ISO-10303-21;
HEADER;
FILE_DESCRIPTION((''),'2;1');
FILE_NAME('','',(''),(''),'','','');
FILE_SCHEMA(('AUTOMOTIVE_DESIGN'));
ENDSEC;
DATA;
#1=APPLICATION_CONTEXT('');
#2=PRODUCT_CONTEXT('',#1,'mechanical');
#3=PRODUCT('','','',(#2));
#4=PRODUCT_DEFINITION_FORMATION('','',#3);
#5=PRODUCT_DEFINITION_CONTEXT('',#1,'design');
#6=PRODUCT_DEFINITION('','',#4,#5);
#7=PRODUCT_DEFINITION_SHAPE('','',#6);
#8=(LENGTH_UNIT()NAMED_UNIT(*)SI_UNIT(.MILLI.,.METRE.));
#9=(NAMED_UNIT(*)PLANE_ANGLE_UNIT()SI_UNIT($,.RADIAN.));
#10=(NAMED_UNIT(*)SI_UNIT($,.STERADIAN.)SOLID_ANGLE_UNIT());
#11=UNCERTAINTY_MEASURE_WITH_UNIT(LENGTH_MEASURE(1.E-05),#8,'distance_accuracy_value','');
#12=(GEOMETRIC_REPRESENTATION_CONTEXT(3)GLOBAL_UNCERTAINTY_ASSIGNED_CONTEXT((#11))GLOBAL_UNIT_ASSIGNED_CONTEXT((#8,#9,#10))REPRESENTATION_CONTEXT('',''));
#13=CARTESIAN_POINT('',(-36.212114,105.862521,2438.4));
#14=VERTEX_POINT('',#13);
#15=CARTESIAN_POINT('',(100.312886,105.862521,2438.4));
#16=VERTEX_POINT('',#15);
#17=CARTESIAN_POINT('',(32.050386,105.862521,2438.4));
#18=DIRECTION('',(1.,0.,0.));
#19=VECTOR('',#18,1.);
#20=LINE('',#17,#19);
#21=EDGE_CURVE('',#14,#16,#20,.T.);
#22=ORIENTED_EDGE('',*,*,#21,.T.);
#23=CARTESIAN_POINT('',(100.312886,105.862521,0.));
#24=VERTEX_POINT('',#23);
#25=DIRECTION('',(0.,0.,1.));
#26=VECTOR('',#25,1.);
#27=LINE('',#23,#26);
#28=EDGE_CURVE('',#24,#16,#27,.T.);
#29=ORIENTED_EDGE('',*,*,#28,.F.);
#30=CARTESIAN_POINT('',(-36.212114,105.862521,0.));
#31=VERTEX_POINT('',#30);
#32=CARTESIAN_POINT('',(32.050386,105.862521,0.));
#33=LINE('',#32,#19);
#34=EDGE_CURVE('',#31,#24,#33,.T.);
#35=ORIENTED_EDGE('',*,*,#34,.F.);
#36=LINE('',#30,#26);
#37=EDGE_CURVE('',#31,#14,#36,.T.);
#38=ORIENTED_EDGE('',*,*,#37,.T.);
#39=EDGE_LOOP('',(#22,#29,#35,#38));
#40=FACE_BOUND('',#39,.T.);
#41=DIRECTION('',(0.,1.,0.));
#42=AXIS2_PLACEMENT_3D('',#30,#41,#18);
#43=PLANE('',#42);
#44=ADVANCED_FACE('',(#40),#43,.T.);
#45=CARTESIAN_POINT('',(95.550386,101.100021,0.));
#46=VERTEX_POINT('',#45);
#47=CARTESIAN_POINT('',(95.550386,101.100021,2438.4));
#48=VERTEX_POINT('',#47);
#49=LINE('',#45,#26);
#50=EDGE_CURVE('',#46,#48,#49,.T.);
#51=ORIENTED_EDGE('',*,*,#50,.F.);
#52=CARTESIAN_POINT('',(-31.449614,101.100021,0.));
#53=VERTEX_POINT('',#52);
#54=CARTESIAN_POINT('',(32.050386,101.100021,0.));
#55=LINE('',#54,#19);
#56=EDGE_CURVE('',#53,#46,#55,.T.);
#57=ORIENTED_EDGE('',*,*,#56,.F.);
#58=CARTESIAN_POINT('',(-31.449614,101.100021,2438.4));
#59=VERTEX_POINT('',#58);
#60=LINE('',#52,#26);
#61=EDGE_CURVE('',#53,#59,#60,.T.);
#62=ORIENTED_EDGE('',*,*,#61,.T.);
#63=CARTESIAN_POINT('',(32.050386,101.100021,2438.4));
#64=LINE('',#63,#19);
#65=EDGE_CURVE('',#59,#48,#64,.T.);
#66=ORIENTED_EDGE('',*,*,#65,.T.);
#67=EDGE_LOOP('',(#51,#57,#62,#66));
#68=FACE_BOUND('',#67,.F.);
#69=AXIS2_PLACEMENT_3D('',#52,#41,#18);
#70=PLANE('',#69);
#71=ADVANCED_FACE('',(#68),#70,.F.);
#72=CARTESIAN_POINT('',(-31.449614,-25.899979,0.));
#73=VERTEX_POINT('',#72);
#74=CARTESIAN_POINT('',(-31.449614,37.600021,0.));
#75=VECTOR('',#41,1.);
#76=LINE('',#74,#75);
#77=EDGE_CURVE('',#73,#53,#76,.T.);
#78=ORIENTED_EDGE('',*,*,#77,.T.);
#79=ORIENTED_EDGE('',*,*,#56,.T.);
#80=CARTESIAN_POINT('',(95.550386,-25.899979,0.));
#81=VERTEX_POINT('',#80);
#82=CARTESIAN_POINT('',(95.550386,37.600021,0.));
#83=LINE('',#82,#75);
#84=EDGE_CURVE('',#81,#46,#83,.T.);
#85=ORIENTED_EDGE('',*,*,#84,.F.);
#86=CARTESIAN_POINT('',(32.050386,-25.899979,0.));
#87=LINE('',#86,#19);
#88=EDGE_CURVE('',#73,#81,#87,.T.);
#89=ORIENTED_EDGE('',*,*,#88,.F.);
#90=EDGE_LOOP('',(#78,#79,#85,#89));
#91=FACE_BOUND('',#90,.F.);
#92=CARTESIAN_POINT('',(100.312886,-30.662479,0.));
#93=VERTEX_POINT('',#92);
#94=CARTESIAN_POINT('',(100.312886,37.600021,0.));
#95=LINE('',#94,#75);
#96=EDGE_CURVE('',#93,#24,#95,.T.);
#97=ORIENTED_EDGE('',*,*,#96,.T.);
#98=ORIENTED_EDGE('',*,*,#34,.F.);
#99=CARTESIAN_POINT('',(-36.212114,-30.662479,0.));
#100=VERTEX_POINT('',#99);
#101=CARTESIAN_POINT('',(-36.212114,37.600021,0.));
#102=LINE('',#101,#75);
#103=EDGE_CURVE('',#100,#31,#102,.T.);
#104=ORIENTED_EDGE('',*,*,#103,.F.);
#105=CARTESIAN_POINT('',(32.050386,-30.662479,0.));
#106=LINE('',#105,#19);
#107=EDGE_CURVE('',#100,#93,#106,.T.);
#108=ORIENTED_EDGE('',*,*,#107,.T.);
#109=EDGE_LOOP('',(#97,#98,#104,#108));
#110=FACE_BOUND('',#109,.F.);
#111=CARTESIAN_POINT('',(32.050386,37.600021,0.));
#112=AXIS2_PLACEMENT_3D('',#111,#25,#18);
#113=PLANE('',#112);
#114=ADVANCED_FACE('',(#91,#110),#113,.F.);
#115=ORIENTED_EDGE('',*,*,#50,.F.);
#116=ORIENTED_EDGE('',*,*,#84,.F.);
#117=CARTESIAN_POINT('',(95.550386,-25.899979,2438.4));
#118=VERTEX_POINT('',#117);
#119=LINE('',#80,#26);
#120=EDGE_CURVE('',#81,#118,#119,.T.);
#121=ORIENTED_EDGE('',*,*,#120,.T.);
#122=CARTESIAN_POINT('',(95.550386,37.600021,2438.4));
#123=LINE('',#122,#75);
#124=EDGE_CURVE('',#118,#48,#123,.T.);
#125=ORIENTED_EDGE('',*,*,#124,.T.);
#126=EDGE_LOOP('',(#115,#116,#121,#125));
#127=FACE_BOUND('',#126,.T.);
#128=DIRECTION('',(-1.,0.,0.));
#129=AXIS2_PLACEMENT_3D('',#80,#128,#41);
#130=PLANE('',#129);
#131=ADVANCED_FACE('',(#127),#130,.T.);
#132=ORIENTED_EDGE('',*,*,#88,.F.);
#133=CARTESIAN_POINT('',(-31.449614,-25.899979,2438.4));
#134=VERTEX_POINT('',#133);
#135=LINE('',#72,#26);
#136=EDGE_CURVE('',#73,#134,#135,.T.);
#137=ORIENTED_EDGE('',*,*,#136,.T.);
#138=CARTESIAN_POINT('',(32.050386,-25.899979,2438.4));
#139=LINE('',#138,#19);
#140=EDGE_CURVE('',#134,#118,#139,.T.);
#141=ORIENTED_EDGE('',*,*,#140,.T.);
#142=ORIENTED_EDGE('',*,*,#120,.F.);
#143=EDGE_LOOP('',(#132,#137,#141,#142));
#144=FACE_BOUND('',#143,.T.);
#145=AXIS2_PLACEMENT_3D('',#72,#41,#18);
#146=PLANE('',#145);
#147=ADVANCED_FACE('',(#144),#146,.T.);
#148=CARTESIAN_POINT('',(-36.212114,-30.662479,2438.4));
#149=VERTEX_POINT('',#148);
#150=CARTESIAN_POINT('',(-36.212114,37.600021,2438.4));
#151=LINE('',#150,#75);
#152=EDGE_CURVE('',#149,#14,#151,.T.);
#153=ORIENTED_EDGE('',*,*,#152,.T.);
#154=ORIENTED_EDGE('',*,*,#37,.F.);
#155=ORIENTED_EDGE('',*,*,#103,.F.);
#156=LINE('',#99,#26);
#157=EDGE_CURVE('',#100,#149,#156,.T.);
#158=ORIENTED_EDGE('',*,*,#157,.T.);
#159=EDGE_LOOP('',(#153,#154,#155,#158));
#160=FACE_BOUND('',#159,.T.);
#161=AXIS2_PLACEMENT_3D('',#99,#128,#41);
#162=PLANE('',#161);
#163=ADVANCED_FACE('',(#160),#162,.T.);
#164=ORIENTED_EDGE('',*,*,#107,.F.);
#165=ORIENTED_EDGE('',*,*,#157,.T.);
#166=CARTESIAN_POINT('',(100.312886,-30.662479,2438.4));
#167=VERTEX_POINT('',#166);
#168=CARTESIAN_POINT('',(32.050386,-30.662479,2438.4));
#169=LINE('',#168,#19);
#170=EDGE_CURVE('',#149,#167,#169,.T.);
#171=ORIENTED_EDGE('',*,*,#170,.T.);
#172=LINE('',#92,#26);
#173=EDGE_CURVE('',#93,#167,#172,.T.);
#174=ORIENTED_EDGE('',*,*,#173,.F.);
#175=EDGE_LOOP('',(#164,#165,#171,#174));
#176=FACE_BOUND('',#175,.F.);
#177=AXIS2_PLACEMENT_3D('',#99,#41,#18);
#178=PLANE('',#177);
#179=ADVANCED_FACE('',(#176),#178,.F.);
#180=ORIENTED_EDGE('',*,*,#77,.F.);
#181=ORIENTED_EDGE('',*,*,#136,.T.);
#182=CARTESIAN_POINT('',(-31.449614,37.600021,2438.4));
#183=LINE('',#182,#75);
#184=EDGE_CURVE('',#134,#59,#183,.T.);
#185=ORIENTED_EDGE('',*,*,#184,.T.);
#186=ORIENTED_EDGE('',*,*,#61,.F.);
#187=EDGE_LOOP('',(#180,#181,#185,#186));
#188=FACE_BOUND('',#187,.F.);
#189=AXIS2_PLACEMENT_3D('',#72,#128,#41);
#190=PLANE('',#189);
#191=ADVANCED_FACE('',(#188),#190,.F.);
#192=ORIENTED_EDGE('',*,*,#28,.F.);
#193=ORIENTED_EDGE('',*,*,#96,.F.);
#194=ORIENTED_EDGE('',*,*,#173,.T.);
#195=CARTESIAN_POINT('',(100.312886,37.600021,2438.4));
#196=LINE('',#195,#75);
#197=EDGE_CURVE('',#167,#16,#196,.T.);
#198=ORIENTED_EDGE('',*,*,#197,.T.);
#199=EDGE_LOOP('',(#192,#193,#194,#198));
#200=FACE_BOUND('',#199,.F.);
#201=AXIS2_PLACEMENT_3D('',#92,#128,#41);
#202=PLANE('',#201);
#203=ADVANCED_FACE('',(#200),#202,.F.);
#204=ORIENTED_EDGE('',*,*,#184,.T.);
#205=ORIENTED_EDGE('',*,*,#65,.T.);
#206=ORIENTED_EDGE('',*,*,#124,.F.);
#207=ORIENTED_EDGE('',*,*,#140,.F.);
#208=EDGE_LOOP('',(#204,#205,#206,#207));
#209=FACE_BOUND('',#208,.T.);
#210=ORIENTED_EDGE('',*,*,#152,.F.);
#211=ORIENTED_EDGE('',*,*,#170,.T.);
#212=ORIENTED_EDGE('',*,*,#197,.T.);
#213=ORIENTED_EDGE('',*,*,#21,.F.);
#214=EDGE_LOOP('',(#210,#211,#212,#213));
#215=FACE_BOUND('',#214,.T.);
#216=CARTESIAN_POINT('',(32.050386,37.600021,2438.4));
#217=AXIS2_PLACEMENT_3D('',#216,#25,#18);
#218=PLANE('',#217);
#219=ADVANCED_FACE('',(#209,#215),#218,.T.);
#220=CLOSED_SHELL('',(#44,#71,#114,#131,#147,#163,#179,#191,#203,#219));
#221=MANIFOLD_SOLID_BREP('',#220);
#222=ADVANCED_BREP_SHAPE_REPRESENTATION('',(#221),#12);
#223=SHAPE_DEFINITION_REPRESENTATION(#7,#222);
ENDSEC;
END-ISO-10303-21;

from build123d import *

# Parameters (mm, degrees)
F1_W     = 136.525
F1_H     = 136.525
F1_W_2   = 127
F1_H_2   = 127
F2_DEPTH = 2438.4


with BuildPart() as f2:
    # F1 (on face) → F2 (new body)
    with BuildSketch(Plane.XY):
        with Locations((32.050386, 37.600021)):
            Rectangle(F1_W, F1_H)
        with Locations((32.050386, 37.600021)):
            Rectangle(F1_W_2, F1_H_2, mode=Mode.SUBTRACT)
    extrude(amount=F2_DEPTH)


solid = f2.part
